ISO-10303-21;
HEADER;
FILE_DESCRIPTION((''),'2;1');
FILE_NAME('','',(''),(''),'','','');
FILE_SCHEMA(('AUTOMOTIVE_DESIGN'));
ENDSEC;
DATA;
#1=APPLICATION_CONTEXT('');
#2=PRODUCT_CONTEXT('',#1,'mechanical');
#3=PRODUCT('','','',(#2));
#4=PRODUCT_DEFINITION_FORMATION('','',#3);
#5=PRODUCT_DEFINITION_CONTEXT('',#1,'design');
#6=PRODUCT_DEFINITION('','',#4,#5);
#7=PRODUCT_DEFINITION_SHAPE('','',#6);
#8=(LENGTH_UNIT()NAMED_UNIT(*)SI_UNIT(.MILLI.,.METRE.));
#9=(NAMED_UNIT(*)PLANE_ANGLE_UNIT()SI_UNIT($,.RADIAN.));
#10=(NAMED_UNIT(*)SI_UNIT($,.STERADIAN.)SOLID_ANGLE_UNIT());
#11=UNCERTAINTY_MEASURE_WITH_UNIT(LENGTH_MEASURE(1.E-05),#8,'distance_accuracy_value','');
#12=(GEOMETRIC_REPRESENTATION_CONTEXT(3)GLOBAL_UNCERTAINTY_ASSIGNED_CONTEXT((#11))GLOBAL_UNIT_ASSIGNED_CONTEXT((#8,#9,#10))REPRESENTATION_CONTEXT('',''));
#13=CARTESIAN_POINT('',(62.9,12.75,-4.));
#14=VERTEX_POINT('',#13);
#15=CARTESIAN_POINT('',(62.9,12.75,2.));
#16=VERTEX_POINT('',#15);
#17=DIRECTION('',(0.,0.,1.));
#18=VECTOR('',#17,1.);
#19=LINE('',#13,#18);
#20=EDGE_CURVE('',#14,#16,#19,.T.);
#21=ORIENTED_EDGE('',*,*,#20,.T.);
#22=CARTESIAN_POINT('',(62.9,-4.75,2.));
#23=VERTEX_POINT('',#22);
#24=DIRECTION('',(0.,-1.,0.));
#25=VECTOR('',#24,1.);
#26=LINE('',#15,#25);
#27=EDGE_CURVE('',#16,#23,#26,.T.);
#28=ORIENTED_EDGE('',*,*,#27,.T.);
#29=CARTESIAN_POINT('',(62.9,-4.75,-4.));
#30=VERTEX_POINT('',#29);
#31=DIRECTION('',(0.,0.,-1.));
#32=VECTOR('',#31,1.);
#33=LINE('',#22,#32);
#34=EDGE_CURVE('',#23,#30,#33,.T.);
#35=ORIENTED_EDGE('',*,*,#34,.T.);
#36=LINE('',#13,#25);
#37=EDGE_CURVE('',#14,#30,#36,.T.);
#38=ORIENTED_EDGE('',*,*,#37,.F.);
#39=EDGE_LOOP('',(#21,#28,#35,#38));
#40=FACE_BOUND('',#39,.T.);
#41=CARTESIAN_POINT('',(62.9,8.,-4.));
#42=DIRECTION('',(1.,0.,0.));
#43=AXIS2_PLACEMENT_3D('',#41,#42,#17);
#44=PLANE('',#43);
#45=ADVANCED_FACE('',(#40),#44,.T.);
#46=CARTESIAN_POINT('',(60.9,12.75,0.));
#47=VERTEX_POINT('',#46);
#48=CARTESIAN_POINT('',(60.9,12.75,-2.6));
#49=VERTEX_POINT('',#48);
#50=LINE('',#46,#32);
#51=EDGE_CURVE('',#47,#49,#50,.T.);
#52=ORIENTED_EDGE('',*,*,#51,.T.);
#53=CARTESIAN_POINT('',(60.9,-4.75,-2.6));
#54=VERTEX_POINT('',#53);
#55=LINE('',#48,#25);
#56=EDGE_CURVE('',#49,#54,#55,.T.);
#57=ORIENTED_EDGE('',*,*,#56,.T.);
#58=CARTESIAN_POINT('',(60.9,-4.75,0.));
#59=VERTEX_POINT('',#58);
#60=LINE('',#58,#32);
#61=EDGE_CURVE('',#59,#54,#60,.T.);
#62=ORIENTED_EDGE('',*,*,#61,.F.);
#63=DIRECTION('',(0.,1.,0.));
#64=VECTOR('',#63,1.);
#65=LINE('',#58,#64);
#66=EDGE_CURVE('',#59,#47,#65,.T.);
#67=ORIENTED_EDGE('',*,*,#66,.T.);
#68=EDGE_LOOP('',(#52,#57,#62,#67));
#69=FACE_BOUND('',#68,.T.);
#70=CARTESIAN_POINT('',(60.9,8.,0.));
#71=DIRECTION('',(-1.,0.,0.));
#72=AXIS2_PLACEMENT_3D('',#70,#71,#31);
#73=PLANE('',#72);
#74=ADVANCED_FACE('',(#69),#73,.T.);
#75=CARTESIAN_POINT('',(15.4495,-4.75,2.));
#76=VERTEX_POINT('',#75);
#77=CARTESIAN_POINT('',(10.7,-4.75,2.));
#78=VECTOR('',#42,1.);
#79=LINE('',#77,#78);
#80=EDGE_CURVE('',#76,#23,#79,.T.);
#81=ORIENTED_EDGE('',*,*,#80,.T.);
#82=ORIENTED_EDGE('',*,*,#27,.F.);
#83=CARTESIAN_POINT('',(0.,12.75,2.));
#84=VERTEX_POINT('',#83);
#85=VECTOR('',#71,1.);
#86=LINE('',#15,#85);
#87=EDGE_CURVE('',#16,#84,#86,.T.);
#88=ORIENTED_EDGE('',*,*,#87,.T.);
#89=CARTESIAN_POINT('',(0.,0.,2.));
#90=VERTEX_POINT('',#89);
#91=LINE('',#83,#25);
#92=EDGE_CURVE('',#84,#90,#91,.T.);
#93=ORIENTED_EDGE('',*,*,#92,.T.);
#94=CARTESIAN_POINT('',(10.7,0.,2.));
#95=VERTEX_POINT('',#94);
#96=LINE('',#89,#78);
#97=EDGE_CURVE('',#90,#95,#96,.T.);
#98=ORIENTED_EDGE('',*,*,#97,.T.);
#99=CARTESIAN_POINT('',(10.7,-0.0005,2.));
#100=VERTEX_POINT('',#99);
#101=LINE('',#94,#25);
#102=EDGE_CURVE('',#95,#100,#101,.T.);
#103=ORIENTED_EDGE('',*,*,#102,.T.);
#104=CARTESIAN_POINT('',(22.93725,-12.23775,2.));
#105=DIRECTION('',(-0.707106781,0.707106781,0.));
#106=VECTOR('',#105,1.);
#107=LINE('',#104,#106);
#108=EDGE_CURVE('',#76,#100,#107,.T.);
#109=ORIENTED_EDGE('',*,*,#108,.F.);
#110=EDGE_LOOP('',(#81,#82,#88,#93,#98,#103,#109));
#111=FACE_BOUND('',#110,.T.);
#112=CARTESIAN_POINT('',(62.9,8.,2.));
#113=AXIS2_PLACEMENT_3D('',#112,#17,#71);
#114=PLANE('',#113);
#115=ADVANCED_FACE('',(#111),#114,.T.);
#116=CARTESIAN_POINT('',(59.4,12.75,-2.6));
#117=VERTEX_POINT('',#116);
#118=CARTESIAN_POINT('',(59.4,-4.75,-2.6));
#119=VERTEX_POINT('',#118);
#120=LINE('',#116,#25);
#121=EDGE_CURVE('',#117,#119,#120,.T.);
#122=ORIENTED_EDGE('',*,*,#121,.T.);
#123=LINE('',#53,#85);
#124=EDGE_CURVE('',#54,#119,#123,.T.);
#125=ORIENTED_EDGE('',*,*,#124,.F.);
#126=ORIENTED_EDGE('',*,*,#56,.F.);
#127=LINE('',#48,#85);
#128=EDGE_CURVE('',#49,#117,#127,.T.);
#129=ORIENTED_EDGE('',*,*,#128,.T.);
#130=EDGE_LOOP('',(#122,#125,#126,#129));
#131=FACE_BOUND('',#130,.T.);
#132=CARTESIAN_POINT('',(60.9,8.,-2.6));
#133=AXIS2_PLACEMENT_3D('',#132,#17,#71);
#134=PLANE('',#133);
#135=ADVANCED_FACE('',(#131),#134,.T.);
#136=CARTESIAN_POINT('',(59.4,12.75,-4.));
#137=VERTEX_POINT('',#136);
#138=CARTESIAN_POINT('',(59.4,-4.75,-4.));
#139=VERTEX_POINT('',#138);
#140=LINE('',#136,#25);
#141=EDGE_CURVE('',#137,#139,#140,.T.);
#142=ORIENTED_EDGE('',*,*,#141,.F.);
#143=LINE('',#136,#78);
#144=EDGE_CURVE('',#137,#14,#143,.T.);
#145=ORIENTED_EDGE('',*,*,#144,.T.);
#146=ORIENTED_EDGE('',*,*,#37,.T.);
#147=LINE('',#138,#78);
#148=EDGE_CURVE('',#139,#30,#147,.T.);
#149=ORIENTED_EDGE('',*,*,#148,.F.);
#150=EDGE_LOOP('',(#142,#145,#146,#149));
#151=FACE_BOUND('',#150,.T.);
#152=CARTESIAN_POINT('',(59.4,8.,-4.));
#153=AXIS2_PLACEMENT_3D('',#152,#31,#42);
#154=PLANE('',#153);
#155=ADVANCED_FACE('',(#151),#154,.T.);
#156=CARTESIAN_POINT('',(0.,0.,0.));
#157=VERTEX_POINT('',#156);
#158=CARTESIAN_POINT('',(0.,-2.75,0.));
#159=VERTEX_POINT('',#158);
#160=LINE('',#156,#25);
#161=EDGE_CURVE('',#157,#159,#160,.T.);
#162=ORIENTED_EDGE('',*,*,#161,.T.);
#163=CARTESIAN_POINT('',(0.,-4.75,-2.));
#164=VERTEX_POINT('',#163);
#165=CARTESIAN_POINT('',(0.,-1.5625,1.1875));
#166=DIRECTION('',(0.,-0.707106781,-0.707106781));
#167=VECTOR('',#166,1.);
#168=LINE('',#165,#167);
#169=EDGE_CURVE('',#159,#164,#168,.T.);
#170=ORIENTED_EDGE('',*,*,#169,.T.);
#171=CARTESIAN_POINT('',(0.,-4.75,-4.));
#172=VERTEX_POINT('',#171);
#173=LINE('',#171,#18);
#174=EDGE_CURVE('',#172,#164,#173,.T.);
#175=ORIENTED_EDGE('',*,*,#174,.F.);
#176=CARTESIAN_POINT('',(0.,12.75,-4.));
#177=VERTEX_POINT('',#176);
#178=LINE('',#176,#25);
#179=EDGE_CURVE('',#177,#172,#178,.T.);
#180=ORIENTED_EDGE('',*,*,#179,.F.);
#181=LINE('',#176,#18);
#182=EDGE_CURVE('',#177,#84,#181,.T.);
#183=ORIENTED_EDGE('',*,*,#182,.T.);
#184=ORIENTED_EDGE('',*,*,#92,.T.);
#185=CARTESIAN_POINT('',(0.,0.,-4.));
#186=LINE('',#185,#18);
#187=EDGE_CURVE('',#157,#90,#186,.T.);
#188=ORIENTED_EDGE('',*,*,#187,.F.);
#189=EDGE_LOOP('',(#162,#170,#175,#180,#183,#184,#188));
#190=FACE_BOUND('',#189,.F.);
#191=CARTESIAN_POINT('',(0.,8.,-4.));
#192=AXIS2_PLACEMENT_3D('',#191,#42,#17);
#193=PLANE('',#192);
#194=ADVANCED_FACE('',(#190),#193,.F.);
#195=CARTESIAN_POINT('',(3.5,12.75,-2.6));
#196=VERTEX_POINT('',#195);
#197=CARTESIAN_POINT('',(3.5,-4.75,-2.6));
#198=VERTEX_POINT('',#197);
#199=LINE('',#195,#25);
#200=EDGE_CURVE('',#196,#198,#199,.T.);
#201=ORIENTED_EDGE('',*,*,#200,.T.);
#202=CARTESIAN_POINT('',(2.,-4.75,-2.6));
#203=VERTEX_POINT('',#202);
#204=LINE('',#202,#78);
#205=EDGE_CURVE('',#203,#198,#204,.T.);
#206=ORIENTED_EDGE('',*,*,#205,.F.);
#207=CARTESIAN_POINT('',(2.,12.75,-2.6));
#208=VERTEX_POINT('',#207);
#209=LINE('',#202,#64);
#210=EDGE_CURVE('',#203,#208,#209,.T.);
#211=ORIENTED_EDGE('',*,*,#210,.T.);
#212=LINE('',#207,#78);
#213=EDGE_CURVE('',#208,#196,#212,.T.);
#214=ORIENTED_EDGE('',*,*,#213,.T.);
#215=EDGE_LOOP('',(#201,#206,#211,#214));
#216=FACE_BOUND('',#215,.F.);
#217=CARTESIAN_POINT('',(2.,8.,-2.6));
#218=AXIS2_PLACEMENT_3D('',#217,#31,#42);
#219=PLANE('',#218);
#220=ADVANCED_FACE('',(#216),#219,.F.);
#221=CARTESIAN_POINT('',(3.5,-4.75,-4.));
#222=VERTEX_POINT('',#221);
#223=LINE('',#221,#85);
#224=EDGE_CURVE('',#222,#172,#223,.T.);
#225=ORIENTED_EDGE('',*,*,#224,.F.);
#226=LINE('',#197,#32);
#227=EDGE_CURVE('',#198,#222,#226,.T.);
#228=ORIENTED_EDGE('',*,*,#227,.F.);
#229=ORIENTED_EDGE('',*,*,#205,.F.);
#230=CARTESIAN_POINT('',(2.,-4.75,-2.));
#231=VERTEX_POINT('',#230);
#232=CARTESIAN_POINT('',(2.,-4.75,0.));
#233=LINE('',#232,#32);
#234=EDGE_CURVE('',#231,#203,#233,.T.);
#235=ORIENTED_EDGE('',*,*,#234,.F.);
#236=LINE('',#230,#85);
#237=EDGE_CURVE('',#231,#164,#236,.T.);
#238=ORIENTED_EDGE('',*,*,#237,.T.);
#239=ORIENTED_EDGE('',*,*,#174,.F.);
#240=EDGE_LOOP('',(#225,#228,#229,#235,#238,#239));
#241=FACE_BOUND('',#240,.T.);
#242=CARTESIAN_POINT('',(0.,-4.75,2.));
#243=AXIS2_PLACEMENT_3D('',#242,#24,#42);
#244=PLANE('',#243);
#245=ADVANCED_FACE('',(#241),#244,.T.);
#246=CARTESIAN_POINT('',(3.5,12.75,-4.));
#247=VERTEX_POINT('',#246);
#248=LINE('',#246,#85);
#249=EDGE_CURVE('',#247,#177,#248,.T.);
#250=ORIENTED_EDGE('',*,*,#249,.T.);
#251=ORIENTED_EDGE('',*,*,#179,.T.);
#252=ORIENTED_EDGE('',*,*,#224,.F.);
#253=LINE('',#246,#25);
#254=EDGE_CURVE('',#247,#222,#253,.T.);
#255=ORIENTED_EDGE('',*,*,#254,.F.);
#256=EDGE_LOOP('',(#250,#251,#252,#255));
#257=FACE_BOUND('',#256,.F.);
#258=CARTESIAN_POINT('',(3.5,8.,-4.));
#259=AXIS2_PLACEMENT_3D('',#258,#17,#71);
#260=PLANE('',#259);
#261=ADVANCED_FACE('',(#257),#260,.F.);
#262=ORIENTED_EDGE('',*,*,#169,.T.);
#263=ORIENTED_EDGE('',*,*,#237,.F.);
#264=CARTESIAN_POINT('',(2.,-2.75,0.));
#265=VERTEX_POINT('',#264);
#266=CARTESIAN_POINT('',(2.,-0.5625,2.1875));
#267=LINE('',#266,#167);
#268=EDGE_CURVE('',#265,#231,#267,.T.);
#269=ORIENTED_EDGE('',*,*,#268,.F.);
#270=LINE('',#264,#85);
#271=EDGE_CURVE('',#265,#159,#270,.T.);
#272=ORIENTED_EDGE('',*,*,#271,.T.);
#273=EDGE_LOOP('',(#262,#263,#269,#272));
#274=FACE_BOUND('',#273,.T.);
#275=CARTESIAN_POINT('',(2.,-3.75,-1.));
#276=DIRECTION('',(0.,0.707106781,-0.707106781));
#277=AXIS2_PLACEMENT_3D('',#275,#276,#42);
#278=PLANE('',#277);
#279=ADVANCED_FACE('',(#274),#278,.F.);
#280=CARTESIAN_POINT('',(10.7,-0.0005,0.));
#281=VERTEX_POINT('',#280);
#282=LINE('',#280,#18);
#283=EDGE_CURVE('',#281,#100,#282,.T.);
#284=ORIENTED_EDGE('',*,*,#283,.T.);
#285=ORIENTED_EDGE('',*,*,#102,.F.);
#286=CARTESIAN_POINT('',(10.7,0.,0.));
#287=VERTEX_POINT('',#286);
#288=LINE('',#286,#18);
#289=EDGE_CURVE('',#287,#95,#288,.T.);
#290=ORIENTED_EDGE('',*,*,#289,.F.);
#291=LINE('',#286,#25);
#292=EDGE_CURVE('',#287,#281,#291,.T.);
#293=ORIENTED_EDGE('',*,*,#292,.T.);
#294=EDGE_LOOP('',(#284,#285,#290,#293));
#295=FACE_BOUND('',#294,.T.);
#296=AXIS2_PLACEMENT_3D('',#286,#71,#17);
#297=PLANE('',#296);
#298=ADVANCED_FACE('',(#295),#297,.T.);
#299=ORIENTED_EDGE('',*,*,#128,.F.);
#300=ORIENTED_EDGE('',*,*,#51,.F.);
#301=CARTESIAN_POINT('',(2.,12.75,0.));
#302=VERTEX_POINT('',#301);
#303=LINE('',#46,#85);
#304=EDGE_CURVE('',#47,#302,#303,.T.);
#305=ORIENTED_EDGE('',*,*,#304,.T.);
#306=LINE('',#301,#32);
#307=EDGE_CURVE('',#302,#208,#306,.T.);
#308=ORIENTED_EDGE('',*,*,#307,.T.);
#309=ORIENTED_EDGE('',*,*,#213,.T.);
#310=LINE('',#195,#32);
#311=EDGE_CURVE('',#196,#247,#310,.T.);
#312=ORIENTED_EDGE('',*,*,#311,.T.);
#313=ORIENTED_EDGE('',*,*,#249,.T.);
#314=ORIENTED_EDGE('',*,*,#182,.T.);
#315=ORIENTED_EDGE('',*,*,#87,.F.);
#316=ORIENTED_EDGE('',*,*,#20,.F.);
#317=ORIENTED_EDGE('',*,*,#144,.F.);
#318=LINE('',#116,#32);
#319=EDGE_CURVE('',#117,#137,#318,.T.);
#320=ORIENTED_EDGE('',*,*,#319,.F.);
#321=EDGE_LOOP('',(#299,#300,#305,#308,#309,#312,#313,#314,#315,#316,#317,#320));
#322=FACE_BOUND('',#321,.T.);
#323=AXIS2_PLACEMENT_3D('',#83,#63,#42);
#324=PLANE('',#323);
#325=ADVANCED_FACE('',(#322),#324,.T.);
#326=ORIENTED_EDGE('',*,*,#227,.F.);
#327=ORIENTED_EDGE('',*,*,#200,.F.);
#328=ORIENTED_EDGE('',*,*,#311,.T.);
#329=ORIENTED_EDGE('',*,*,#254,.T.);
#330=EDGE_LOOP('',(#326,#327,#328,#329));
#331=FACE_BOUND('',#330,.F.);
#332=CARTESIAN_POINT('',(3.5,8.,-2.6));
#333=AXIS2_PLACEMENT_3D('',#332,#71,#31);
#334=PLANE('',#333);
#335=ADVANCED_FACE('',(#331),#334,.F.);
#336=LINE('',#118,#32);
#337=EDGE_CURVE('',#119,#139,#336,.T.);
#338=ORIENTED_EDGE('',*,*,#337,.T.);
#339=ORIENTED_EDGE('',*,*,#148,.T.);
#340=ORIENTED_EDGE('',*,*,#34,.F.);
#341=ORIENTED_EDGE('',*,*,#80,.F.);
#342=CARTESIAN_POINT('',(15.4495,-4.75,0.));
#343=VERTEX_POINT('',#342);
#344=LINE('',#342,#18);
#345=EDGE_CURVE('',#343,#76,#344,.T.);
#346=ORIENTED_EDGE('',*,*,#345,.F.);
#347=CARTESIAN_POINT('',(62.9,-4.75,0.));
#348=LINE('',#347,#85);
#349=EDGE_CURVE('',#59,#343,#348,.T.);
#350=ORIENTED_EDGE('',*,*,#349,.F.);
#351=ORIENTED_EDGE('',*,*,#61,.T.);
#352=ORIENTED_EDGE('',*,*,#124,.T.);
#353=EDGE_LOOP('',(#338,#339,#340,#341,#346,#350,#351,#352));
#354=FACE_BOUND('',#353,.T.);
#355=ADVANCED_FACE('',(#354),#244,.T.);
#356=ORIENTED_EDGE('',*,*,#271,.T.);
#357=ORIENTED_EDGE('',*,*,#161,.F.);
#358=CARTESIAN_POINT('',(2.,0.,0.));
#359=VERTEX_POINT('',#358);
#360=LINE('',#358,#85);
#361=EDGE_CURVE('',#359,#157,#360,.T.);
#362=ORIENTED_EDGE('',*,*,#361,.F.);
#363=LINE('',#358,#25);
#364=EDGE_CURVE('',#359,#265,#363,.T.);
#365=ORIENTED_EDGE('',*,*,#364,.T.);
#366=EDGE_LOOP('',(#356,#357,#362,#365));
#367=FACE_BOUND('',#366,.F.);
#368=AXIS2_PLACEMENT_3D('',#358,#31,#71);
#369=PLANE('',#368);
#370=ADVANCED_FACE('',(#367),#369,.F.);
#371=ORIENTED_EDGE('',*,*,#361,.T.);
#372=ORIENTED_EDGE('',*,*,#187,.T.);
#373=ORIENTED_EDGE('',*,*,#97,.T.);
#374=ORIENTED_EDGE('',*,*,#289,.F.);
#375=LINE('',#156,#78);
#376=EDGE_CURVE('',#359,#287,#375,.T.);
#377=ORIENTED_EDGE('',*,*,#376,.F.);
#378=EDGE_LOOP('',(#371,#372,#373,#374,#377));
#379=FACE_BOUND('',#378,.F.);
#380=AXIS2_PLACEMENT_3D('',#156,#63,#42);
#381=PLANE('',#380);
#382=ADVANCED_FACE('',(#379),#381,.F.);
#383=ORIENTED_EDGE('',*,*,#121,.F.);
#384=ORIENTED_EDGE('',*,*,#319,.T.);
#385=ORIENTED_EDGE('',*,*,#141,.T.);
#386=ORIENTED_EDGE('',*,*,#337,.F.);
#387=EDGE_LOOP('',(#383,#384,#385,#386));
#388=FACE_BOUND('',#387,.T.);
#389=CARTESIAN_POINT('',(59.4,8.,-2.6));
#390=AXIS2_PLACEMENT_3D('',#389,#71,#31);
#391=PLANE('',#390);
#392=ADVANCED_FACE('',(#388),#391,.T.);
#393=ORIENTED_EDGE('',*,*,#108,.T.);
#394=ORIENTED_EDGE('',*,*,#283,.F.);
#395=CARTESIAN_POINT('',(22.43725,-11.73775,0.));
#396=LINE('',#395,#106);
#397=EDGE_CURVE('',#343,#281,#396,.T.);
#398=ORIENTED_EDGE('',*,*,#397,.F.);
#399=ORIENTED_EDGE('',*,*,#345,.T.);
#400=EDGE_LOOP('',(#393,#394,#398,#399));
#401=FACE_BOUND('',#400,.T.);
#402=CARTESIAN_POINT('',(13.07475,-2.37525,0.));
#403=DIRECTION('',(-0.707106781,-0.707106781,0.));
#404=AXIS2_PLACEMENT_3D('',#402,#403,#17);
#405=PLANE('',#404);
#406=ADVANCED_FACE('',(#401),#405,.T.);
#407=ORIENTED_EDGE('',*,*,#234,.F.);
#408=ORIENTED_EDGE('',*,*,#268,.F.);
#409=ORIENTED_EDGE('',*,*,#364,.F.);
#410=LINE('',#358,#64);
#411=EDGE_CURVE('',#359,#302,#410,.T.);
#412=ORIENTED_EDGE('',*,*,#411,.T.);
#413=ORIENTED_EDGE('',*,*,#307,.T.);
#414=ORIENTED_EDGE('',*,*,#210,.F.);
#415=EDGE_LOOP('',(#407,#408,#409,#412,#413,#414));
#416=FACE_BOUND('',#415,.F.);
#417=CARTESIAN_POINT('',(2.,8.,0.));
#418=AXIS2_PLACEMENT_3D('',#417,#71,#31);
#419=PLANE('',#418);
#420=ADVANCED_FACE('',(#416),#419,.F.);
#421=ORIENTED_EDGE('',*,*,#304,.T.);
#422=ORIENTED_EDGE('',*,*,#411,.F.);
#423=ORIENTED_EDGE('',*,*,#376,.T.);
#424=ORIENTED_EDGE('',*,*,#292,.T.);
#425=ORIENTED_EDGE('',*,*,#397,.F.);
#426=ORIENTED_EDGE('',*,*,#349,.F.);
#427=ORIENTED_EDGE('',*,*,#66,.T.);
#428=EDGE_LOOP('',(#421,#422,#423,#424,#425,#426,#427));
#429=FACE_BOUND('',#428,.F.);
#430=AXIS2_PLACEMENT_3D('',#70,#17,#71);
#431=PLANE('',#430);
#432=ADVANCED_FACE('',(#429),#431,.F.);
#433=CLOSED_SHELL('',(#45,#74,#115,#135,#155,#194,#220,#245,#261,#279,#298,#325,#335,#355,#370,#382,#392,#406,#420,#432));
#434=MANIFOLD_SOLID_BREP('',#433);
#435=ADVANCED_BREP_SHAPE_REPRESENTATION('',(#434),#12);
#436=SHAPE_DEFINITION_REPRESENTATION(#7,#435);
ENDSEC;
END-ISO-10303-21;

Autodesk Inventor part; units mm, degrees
ref_plane "YZ Plane" through (0, 0, 0) normal (1, 0, 0) x (0, 1, 0)
sketch "Эскиз1" plane through (0, 0, 0) normal (0, 0, 1) x (1, 0, 0)
  line L0 (0, 0) -> (62.9, 0)
  line L1 (62.9, 0) -> (62.9, 8)
  line L2 (62.9, 8) -> (0, 8)
  line L3 (0, 8) -> (0, 0)
  dimension "d0" = 62.9
  dimension "d1" = 8
extrude "Выдавливание1" add sketch "Эскиз1" along normal blind 2
sketch "Эскиз2" plane through (0, 8, 0) normal (0, 1, 0) x (1, 0, 0)
  line L0 (0, 0) -> (2, 0)
  line L1 (2, 0) -> (2, 4)
  line L2 (2, 4) -> (0, 4)
  line L3 (0, 4) -> (0, 0)
  line L4 (2, 4) -> (3.5, 4)
  line L5 (3.5, 4) -> (3.5, 2.6)
  line L6 (3.5, 2.6) -> (2, 2.6)
  line L7 (2, 2.6) -> (2, 4)
  point P0 (2, 2.6)
  point P1 (2, 2.6)
  dimension "d4" = 2
  dimension "d5" = 4
  dimension "d6" = 1.5
  dimension "d7" = 1.4
extrude "Выдавливание2" add sketch "Эскиз2" against normal up to surface (8 mm away)
ref_plane "РабПлоскость1" through (31.45, 0, 2) normal (-1, 0, 0) x (0, 0, 1)
mirror "Зеркальное отражение1" about plane through (31.45, 0, 2) normal (-1, 0, 0) of "Выдавливание2"
sketch "Эскиз6" plane through (0, 0, 2) normal (0, -1, 0) x (1, 0, 0)
  line L0 (62.9, -2) -> (10.7, -2)
  line L1 (10.7, -2) -> (10.7, 0)
  line L2 (10.7, 0) -> (62.9, 0)
  line L3 (62.9, 0) -> (62.9, -2)
  line L4 (2, -2) -> (60.9, -2) projected
  line L5 (0, 0) -> (62.9, 0) projected
  line L6 (2, -2) -> (60.9, -2) projected
  line L7 (60.9, -2) -> (60.9, -4.6) projected
  line L8 (60.9, -4.6) -> (59.4, -4.6) projected
  line L9 (59.4, -4.6) -> (59.4, -6) projected
  line L10 (59.4, -6) -> (62.9, -6) projected
  line L11 (62.9, -6) -> (62.9, 0) projected
  line L12 (0, 0) -> (62.9, 0) projected
  line L13 (0, -6) -> (0, 0) projected
  line L14 (3.5, -6) -> (0, -6) projected
  line L15 (3.5, -4.6) -> (3.5, -6) projected
  line L16 (2, -4.6) -> (3.5, -4.6) projected
  line L17 (2, -2) -> (2, -4.6) projected
  line L18 (60.9, -2) -> (62.9, -2)
  line L19 (2, -2) -> (0, -2)
  line L20 (62.9, -6) -> (62.9, 0) projected
  point P0 (0, -2)
  dimension "d29" = 10.7
extrude "Выдавливание6" add sketch "Эскиз6" along normal blind 4.75 contours L11 L10 L9 L8 L7 L0 | L0 L1 L2 L3 | L17 L16 L15 L14 L13 L19
ref_plane "РабПлоскость2" through (0, 4, 2) normal (0, 1, 0) x (1, 0, 0)
sketch "Эскиз7" plane through (0, 8, 2) normal (0, 1, 0) x (1, 0, 0)
  line L0 (60.9, 2) -> (2, 2) projected
  line L1 (2, 2) -> (2, 4.6) projected
  line L2 (2, 4.6) -> (3.5, 4.6) projected
  line L3 (3.5, 4.6) -> (3.5, 6) projected
  line L4 (3.5, 6) -> (0, 6) projected
  line L5 (0, 6) -> (0, 0) projected
  line L6 (62.9, 0) -> (0, 0) projected
  line L7 (62.9, 6) -> (62.9, 0) projected
  line L8 (59.4, 6) -> (62.9, 6) projected
  line L9 (59.4, 4.6) -> (59.4, 6) projected
  line L10 (60.9, 4.6) -> (59.4, 4.6) projected
  line L11 (60.9, 2) -> (60.9, 4.6) projected
  point P0 (0, 2)
extrude "Выдавливание7" add sketch "Эскиз7" along normal blind 4.75
sketch "Эскиз5" plane through (0, 0, 2) normal (0, 0, 1) x (1, 0, 0)
  line L0 (49.7, 12.75) -> (47.2, 12.75)
  line L1 (47.2, 12.75) -> (47.2, 4.75)
  line L2 (47.2, 4.75) -> (49.7, 4.75)
  line L3 (49.7, 4.75) -> (49.7, 12.75)
  line L4 (62.9, 0) -> (62.9, 8) projected
  line L5 (62.9, 4) -> (49.7, 4)
  line L6 (0, 12.75) -> (62.9, 12.75) projected
  point P0 (0, 0)
  dimension "d15" = 2.5
  dimension "d16" = 8
  dimension "d19" = 13.2
extrude "Выдавливание5" [suppressed]
chamfer "Фаска1" distance 4.75 angle 45 1 edges at (10.7, -4.75, 1)
chamfer "Фаска2" distance 2 angle 45 1 edges at (1, -4.75, 0)
properties part number "Крышка аккумулятора"
